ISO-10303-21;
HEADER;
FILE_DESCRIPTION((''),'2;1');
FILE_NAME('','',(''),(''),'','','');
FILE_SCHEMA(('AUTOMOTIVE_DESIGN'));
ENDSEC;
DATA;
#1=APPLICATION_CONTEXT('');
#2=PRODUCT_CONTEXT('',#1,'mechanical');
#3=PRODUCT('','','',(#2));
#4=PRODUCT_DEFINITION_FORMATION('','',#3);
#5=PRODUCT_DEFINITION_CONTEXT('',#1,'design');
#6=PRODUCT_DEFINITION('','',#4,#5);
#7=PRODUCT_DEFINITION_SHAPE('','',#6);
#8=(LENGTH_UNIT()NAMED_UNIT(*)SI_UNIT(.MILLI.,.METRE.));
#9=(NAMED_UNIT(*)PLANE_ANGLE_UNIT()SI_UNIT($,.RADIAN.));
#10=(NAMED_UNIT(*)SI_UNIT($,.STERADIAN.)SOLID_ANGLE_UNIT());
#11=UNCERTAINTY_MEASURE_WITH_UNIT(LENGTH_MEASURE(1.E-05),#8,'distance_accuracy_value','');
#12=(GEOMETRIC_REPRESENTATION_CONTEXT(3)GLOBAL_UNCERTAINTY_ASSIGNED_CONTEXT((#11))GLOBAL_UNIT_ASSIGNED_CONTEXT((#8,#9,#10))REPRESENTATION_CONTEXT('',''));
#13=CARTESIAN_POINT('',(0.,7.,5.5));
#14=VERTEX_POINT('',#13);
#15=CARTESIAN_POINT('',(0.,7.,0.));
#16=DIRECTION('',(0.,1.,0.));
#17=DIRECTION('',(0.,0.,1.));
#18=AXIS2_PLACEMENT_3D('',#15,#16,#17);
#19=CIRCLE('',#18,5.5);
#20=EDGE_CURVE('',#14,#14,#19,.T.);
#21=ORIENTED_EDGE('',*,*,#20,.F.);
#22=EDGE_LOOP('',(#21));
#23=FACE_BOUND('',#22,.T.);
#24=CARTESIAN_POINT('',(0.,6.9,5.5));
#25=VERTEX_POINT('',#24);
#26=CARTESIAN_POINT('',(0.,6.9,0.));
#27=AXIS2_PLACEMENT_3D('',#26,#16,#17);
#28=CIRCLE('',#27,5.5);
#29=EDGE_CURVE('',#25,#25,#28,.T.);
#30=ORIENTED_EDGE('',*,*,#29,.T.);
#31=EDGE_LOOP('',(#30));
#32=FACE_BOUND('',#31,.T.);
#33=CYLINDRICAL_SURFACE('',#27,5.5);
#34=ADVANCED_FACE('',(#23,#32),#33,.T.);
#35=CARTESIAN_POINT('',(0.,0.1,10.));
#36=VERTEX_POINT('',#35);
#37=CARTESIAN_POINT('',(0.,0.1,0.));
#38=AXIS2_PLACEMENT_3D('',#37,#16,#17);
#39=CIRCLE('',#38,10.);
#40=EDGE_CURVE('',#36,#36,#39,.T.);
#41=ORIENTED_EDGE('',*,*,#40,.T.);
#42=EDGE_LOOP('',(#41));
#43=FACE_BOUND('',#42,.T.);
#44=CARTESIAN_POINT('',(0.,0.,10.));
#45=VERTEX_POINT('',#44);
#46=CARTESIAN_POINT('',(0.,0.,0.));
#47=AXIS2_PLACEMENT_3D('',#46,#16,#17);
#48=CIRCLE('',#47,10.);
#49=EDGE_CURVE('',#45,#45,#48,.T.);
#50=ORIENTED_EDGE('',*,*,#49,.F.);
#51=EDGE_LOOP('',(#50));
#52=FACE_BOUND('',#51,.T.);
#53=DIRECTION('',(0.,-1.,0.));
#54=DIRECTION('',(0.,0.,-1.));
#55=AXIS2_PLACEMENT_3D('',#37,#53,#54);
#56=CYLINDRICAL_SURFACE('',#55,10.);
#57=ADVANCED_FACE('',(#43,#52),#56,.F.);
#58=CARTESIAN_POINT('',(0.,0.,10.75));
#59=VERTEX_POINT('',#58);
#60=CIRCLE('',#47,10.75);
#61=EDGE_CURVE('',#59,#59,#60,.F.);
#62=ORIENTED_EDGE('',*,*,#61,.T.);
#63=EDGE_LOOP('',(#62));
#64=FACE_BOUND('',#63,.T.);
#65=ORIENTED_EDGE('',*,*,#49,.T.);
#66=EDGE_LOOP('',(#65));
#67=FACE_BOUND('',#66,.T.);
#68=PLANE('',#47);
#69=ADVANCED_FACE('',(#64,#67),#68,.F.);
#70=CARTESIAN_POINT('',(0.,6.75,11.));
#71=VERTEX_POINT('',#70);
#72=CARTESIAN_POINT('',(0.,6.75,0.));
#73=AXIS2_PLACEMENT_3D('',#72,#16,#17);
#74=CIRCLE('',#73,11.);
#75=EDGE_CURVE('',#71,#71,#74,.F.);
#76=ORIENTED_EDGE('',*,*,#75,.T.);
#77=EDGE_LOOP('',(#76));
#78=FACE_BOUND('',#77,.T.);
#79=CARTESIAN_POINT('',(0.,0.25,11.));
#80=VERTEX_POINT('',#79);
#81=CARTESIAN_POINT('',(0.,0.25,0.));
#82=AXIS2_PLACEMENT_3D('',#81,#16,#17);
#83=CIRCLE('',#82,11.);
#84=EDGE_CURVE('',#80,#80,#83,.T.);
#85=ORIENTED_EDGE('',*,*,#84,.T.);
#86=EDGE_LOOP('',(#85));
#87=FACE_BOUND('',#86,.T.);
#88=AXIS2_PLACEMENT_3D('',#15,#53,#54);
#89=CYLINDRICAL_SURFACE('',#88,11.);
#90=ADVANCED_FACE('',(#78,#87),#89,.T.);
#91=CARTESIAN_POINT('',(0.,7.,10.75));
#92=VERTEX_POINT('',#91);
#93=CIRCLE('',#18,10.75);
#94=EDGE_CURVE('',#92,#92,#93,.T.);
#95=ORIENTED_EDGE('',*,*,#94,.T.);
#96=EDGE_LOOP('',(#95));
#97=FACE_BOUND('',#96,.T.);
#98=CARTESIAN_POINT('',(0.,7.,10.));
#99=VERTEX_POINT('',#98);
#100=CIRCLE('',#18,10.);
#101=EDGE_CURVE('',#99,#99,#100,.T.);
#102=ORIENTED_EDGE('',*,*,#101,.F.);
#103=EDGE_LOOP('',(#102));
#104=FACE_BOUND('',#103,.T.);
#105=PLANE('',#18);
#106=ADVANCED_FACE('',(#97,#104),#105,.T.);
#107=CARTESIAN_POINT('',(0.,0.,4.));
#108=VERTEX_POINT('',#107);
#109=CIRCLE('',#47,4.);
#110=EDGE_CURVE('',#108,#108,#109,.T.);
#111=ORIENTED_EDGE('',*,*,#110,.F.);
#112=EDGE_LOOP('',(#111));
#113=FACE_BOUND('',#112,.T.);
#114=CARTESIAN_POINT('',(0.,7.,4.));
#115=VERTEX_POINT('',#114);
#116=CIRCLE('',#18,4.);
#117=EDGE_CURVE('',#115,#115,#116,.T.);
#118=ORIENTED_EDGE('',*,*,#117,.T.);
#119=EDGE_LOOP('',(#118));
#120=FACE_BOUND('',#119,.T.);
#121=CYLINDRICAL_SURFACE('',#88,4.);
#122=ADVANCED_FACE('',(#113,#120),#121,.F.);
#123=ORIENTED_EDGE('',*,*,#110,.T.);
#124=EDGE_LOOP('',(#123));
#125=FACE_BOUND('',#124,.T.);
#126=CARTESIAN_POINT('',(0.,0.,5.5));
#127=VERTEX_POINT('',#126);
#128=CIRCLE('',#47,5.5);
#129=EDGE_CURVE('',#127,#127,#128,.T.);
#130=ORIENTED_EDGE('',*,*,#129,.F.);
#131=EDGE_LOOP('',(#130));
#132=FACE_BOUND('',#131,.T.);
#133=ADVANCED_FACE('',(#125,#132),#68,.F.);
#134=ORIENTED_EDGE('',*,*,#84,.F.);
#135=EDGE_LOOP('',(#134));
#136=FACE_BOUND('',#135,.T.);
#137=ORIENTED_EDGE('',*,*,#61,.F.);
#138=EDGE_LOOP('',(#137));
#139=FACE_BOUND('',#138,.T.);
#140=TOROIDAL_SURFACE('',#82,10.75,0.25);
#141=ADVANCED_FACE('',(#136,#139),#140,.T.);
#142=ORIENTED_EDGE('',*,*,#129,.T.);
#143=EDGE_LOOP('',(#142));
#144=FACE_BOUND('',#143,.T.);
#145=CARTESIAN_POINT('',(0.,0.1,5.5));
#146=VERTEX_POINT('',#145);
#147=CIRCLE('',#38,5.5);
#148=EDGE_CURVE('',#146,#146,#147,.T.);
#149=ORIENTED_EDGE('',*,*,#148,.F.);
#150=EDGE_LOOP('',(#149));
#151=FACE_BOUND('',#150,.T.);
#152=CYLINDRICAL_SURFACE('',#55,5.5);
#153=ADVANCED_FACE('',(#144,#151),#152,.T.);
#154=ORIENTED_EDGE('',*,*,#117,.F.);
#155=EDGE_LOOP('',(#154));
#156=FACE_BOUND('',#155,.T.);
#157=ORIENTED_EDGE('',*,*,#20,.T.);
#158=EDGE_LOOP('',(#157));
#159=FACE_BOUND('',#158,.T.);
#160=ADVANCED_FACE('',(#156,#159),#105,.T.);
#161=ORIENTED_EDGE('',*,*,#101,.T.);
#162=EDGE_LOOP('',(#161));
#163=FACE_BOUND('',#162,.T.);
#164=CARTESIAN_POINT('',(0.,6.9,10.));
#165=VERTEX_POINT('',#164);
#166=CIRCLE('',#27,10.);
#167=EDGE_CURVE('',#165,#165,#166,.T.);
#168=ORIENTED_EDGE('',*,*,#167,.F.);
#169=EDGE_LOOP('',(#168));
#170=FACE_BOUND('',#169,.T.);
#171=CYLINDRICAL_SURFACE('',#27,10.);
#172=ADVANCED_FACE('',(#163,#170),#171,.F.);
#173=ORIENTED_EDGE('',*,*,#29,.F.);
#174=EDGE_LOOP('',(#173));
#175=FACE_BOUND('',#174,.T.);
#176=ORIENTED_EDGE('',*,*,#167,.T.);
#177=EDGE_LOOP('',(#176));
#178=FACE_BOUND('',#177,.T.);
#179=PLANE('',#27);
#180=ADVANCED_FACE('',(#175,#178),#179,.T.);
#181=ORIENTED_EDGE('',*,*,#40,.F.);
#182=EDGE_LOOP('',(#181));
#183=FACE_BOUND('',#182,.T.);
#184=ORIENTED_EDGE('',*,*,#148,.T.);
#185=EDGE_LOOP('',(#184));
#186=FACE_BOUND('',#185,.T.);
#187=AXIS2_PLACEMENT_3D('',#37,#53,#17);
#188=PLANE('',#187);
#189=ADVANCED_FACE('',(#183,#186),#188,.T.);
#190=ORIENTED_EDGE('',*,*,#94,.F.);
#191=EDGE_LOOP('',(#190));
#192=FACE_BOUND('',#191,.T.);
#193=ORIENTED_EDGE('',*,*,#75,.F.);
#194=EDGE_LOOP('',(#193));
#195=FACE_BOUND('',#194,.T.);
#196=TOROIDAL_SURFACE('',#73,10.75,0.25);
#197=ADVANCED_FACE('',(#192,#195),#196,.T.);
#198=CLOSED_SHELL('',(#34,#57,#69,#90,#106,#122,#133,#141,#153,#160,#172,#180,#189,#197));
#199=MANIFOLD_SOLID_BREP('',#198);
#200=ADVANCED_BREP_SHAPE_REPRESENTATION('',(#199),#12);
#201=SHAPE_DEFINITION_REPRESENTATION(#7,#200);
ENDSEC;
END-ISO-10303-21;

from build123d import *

# Parameters (mm, degrees)
SKETCH1_R           = 11
SKETCH1_R_2         = 4
BOSS_EXTRUDE1_DEPTH = 7
SKETCH2_R           = 10
SKETCH2_R_2         = 5.5
CUT_EXTRUDE1_DEPTH  = 0.1
FILLET1_R           = 0.25


with BuildPart() as part:
    # Sketch1 → Boss-Extrude1 (new body)
    with BuildSketch(Plane(origin=(0, 0, 0), x_dir=(1, 0, 0), z_dir=(0, 1, 0))):
        with Locations(Location((0, 0, 0), (0, 0, 270))):
            Circle(SKETCH1_R)
        with Locations(Location((0, 0, 0), (0, 0, 270))):
            Circle(SKETCH1_R_2, mode=Mode.SUBTRACT)
    extrude(amount=BOSS_EXTRUDE1_DEPTH)

    # Sketch2 → Cut-Extrude1 (cut)
    with BuildSketch(Plane(origin=(0, 7, 0), x_dir=(1, 0, 0), z_dir=(0, 1, 0))):
        with Locations(Location((0, 0, 0), (0, 0, 270))):
            Circle(SKETCH2_R)
        with Locations(Location((0, 0, 0), (0, 0, 270))):
            Circle(SKETCH2_R_2, mode=Mode.SUBTRACT)
    cut_extrude1 = extrude(amount=-CUT_EXTRUDE1_DEPTH, mode=Mode.SUBTRACT)

    # Mirror1: Cut-Extrude1 across plane
    add(cut_extrude1.mirror(Plane.ZX.offset(3.5)), mode=Mode.SUBTRACT)

    # Fillet1
    fillet1_edges = [part.edges().sort_by_distance(p)[0] for p in [
        (0, 0, -11),
        (0, 7, -11),
    ]]
    fillet(fillet1_edges, radius=FILLET1_R)


solid = part.part
